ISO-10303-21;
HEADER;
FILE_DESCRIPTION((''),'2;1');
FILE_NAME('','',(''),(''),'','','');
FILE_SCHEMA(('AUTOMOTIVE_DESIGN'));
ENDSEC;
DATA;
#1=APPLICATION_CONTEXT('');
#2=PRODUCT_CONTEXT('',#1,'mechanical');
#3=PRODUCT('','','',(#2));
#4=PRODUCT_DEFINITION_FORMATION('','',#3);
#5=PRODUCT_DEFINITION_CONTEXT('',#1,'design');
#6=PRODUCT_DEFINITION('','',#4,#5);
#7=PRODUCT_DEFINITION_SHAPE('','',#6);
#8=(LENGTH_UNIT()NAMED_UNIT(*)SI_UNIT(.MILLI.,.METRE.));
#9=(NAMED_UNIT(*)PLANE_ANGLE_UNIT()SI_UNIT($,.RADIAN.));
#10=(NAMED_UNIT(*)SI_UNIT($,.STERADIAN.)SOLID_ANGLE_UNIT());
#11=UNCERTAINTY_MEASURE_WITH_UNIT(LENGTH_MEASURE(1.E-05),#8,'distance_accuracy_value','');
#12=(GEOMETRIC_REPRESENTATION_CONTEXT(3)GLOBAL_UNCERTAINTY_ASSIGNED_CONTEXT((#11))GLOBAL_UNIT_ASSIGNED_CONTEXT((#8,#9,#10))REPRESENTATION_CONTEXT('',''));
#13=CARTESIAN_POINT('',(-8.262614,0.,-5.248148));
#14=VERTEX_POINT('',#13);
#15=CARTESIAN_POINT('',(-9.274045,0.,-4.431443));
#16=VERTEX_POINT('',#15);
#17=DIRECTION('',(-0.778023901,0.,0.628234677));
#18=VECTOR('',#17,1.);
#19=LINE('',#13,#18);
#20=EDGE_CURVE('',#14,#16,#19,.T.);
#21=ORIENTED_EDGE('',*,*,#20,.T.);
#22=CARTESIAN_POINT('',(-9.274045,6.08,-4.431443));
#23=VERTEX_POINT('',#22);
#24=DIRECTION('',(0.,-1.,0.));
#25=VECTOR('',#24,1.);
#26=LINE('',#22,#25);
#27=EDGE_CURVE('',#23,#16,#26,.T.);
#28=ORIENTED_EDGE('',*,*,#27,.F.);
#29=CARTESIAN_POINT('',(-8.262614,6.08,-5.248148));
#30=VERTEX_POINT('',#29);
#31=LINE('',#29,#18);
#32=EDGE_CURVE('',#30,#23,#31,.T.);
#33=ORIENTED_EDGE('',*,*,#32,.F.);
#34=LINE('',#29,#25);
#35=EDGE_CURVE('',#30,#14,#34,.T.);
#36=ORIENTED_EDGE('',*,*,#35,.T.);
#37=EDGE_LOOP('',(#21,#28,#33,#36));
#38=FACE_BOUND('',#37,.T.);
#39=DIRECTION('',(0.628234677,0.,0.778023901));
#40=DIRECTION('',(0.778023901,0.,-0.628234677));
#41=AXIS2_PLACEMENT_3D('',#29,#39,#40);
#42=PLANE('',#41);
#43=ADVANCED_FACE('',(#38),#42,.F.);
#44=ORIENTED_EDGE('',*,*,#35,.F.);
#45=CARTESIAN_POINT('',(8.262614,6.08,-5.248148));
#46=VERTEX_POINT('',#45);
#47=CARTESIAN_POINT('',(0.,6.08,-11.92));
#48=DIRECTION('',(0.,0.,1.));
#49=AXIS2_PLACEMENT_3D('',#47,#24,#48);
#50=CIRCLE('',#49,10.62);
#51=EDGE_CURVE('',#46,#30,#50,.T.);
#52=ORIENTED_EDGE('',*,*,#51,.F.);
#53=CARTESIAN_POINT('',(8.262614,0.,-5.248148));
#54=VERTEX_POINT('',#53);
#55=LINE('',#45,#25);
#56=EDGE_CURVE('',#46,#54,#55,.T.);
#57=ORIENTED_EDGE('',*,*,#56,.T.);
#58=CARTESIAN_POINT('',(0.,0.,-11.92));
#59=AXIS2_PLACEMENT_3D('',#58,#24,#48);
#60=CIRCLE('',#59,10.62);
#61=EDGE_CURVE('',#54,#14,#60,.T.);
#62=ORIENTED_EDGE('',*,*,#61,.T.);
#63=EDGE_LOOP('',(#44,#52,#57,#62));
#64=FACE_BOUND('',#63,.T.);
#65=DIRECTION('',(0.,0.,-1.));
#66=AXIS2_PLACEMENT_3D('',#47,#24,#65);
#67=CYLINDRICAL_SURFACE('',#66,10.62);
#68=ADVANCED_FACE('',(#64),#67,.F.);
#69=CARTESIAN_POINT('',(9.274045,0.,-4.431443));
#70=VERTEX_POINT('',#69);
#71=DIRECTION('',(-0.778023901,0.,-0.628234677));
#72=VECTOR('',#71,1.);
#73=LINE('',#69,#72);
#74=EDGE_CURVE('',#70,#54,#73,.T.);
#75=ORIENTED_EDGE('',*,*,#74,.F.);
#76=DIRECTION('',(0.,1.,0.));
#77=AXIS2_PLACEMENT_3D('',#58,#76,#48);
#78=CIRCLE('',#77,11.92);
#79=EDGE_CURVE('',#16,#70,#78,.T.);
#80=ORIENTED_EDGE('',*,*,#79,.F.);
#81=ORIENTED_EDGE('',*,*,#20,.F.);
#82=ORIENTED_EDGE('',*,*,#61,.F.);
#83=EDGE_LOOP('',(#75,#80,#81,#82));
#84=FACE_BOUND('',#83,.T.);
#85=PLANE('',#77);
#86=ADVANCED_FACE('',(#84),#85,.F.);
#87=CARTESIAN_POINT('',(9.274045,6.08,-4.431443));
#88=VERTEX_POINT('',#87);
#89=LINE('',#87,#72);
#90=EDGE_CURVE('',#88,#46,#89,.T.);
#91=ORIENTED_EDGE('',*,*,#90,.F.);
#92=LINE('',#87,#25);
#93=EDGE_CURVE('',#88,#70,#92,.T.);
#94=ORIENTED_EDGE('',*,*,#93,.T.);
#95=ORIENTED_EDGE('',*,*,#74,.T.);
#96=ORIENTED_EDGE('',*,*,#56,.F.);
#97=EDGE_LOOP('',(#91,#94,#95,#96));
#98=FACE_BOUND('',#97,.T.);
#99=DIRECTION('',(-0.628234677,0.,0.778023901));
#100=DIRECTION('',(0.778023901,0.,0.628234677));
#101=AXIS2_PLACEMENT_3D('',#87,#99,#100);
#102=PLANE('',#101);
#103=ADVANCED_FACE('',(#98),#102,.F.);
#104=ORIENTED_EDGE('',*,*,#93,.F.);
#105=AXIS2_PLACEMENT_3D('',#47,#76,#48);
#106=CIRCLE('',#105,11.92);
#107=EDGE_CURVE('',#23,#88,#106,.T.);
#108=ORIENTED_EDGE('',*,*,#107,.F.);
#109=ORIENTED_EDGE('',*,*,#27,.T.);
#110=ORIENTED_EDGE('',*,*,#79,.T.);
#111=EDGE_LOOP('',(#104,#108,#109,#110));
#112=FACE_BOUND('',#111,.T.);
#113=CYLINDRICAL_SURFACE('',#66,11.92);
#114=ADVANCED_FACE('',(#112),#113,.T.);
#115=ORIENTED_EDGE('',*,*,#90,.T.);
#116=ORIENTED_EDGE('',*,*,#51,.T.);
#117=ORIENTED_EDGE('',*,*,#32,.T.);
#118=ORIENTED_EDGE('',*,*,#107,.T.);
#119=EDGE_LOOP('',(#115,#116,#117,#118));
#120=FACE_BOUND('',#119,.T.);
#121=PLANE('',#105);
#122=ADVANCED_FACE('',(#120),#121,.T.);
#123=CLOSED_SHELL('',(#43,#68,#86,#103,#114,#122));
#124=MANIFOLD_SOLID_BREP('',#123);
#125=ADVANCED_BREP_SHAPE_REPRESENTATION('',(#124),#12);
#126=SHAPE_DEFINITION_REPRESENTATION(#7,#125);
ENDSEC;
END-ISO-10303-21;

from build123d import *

# Parameters (mm, degrees)
BOSS_EXTRUDE1_DEPTH = 6.08


with BuildPart() as part:
    # Sketch1 → Boss-Extrude1 (new body)
    with BuildSketch(Plane(origin=(0, 0, 0), x_dir=(1, 0, 0), z_dir=(0, 1, 0))):
        with BuildLine():
            Line((9.274044896, 4.431442644), (8.262613825, 5.248147725))
            ThreePointArc((8.262613825, 5.248147725), (0, 1.3), (-8.262613825, 5.248147725))
            Line((-8.262613825, 5.248147725), (-9.274044896, 4.431442644))
            ThreePointArc((-9.274044896, 4.431442644), (0, 0), (9.274044896, 4.431442644))
        make_face()
    extrude(amount=BOSS_EXTRUDE1_DEPTH)


solid = part.part
